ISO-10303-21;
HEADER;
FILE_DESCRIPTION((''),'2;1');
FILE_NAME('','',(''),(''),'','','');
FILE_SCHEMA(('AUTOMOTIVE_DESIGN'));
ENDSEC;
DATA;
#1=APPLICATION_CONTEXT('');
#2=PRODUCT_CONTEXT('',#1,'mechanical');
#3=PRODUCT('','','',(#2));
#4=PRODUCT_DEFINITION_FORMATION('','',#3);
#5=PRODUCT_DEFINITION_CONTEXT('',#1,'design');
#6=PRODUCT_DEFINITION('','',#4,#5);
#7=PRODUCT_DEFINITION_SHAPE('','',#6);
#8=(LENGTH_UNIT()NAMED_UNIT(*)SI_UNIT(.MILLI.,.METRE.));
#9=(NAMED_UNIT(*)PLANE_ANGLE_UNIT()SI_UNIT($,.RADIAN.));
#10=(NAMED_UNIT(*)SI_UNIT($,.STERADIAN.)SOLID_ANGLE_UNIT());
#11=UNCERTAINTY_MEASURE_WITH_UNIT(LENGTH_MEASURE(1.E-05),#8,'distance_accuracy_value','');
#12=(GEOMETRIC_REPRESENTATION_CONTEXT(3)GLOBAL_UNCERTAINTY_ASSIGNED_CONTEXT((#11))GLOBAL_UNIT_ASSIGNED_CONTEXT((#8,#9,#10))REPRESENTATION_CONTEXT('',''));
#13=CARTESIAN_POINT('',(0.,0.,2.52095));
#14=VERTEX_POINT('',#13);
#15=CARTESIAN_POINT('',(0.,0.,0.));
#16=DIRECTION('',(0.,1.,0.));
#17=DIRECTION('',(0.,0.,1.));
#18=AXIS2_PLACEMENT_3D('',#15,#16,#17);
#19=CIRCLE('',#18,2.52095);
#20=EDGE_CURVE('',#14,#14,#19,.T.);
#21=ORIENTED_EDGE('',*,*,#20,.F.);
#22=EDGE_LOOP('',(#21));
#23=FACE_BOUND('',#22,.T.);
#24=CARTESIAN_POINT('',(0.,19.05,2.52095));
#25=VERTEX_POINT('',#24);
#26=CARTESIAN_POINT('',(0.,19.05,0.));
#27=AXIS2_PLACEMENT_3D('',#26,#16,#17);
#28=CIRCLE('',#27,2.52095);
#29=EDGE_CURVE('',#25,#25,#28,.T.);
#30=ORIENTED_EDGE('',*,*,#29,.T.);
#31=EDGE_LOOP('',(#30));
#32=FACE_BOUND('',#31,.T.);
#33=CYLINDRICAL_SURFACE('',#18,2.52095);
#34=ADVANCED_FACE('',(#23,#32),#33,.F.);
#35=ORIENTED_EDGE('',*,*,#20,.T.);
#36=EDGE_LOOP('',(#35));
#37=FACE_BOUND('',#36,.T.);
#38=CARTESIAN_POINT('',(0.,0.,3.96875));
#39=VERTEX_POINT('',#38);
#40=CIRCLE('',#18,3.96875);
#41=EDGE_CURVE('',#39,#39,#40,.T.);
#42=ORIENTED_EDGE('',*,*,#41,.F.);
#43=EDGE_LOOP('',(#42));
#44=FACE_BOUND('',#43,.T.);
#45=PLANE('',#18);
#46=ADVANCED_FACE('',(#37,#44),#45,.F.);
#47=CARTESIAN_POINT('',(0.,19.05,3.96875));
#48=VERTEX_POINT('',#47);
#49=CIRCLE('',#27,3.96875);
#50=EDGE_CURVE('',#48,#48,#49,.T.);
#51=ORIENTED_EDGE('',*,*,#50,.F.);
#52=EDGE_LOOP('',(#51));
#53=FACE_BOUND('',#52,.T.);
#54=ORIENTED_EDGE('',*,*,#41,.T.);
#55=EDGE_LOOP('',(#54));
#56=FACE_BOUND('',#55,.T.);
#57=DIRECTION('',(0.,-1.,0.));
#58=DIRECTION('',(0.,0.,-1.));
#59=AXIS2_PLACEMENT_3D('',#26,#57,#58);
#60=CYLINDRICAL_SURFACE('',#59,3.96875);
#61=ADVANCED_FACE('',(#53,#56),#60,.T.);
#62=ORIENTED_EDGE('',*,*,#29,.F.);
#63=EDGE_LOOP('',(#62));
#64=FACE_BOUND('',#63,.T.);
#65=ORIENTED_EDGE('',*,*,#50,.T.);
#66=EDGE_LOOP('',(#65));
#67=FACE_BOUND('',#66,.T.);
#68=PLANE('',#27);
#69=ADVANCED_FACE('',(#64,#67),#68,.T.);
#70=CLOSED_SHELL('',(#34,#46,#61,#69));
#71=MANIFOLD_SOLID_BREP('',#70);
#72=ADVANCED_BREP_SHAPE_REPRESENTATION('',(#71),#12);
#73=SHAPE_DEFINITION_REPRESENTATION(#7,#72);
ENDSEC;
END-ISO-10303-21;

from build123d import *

# Parameters (mm, degrees)
SKETCH2_R               = 3.96875
BOSS_EXTRUDE1_DEPTH     = 19.05
SKETCH3_R               = 2.52095
CUT_EXTRUDE1_DEPTH      = 1
CUT_EXTRUDE1_DEPTH_BACK = 20.05


with BuildPart() as part:
    # Sketch2 → Boss-Extrude1 (new body)
    with BuildSketch(Plane(origin=(0, 0, 0), x_dir=(1, 0, 0), z_dir=(0, 1, 0))):
        Circle(SKETCH2_R)
    extrude(amount=BOSS_EXTRUDE1_DEPTH)

    # Sketch3 → Cut-Extrude1 (cut, two sides)
    with BuildSketch(Plane(origin=(0, 19.05, 0), x_dir=(1, 0, 0), z_dir=(0, 1, 0))) as cut_extrude1_sk:
        Circle(SKETCH3_R)
    extrude(amount=CUT_EXTRUDE1_DEPTH, mode=Mode.SUBTRACT)
    extrude(cut_extrude1_sk.sketch, amount=-CUT_EXTRUDE1_DEPTH_BACK, mode=Mode.SUBTRACT)


solid = part.part
